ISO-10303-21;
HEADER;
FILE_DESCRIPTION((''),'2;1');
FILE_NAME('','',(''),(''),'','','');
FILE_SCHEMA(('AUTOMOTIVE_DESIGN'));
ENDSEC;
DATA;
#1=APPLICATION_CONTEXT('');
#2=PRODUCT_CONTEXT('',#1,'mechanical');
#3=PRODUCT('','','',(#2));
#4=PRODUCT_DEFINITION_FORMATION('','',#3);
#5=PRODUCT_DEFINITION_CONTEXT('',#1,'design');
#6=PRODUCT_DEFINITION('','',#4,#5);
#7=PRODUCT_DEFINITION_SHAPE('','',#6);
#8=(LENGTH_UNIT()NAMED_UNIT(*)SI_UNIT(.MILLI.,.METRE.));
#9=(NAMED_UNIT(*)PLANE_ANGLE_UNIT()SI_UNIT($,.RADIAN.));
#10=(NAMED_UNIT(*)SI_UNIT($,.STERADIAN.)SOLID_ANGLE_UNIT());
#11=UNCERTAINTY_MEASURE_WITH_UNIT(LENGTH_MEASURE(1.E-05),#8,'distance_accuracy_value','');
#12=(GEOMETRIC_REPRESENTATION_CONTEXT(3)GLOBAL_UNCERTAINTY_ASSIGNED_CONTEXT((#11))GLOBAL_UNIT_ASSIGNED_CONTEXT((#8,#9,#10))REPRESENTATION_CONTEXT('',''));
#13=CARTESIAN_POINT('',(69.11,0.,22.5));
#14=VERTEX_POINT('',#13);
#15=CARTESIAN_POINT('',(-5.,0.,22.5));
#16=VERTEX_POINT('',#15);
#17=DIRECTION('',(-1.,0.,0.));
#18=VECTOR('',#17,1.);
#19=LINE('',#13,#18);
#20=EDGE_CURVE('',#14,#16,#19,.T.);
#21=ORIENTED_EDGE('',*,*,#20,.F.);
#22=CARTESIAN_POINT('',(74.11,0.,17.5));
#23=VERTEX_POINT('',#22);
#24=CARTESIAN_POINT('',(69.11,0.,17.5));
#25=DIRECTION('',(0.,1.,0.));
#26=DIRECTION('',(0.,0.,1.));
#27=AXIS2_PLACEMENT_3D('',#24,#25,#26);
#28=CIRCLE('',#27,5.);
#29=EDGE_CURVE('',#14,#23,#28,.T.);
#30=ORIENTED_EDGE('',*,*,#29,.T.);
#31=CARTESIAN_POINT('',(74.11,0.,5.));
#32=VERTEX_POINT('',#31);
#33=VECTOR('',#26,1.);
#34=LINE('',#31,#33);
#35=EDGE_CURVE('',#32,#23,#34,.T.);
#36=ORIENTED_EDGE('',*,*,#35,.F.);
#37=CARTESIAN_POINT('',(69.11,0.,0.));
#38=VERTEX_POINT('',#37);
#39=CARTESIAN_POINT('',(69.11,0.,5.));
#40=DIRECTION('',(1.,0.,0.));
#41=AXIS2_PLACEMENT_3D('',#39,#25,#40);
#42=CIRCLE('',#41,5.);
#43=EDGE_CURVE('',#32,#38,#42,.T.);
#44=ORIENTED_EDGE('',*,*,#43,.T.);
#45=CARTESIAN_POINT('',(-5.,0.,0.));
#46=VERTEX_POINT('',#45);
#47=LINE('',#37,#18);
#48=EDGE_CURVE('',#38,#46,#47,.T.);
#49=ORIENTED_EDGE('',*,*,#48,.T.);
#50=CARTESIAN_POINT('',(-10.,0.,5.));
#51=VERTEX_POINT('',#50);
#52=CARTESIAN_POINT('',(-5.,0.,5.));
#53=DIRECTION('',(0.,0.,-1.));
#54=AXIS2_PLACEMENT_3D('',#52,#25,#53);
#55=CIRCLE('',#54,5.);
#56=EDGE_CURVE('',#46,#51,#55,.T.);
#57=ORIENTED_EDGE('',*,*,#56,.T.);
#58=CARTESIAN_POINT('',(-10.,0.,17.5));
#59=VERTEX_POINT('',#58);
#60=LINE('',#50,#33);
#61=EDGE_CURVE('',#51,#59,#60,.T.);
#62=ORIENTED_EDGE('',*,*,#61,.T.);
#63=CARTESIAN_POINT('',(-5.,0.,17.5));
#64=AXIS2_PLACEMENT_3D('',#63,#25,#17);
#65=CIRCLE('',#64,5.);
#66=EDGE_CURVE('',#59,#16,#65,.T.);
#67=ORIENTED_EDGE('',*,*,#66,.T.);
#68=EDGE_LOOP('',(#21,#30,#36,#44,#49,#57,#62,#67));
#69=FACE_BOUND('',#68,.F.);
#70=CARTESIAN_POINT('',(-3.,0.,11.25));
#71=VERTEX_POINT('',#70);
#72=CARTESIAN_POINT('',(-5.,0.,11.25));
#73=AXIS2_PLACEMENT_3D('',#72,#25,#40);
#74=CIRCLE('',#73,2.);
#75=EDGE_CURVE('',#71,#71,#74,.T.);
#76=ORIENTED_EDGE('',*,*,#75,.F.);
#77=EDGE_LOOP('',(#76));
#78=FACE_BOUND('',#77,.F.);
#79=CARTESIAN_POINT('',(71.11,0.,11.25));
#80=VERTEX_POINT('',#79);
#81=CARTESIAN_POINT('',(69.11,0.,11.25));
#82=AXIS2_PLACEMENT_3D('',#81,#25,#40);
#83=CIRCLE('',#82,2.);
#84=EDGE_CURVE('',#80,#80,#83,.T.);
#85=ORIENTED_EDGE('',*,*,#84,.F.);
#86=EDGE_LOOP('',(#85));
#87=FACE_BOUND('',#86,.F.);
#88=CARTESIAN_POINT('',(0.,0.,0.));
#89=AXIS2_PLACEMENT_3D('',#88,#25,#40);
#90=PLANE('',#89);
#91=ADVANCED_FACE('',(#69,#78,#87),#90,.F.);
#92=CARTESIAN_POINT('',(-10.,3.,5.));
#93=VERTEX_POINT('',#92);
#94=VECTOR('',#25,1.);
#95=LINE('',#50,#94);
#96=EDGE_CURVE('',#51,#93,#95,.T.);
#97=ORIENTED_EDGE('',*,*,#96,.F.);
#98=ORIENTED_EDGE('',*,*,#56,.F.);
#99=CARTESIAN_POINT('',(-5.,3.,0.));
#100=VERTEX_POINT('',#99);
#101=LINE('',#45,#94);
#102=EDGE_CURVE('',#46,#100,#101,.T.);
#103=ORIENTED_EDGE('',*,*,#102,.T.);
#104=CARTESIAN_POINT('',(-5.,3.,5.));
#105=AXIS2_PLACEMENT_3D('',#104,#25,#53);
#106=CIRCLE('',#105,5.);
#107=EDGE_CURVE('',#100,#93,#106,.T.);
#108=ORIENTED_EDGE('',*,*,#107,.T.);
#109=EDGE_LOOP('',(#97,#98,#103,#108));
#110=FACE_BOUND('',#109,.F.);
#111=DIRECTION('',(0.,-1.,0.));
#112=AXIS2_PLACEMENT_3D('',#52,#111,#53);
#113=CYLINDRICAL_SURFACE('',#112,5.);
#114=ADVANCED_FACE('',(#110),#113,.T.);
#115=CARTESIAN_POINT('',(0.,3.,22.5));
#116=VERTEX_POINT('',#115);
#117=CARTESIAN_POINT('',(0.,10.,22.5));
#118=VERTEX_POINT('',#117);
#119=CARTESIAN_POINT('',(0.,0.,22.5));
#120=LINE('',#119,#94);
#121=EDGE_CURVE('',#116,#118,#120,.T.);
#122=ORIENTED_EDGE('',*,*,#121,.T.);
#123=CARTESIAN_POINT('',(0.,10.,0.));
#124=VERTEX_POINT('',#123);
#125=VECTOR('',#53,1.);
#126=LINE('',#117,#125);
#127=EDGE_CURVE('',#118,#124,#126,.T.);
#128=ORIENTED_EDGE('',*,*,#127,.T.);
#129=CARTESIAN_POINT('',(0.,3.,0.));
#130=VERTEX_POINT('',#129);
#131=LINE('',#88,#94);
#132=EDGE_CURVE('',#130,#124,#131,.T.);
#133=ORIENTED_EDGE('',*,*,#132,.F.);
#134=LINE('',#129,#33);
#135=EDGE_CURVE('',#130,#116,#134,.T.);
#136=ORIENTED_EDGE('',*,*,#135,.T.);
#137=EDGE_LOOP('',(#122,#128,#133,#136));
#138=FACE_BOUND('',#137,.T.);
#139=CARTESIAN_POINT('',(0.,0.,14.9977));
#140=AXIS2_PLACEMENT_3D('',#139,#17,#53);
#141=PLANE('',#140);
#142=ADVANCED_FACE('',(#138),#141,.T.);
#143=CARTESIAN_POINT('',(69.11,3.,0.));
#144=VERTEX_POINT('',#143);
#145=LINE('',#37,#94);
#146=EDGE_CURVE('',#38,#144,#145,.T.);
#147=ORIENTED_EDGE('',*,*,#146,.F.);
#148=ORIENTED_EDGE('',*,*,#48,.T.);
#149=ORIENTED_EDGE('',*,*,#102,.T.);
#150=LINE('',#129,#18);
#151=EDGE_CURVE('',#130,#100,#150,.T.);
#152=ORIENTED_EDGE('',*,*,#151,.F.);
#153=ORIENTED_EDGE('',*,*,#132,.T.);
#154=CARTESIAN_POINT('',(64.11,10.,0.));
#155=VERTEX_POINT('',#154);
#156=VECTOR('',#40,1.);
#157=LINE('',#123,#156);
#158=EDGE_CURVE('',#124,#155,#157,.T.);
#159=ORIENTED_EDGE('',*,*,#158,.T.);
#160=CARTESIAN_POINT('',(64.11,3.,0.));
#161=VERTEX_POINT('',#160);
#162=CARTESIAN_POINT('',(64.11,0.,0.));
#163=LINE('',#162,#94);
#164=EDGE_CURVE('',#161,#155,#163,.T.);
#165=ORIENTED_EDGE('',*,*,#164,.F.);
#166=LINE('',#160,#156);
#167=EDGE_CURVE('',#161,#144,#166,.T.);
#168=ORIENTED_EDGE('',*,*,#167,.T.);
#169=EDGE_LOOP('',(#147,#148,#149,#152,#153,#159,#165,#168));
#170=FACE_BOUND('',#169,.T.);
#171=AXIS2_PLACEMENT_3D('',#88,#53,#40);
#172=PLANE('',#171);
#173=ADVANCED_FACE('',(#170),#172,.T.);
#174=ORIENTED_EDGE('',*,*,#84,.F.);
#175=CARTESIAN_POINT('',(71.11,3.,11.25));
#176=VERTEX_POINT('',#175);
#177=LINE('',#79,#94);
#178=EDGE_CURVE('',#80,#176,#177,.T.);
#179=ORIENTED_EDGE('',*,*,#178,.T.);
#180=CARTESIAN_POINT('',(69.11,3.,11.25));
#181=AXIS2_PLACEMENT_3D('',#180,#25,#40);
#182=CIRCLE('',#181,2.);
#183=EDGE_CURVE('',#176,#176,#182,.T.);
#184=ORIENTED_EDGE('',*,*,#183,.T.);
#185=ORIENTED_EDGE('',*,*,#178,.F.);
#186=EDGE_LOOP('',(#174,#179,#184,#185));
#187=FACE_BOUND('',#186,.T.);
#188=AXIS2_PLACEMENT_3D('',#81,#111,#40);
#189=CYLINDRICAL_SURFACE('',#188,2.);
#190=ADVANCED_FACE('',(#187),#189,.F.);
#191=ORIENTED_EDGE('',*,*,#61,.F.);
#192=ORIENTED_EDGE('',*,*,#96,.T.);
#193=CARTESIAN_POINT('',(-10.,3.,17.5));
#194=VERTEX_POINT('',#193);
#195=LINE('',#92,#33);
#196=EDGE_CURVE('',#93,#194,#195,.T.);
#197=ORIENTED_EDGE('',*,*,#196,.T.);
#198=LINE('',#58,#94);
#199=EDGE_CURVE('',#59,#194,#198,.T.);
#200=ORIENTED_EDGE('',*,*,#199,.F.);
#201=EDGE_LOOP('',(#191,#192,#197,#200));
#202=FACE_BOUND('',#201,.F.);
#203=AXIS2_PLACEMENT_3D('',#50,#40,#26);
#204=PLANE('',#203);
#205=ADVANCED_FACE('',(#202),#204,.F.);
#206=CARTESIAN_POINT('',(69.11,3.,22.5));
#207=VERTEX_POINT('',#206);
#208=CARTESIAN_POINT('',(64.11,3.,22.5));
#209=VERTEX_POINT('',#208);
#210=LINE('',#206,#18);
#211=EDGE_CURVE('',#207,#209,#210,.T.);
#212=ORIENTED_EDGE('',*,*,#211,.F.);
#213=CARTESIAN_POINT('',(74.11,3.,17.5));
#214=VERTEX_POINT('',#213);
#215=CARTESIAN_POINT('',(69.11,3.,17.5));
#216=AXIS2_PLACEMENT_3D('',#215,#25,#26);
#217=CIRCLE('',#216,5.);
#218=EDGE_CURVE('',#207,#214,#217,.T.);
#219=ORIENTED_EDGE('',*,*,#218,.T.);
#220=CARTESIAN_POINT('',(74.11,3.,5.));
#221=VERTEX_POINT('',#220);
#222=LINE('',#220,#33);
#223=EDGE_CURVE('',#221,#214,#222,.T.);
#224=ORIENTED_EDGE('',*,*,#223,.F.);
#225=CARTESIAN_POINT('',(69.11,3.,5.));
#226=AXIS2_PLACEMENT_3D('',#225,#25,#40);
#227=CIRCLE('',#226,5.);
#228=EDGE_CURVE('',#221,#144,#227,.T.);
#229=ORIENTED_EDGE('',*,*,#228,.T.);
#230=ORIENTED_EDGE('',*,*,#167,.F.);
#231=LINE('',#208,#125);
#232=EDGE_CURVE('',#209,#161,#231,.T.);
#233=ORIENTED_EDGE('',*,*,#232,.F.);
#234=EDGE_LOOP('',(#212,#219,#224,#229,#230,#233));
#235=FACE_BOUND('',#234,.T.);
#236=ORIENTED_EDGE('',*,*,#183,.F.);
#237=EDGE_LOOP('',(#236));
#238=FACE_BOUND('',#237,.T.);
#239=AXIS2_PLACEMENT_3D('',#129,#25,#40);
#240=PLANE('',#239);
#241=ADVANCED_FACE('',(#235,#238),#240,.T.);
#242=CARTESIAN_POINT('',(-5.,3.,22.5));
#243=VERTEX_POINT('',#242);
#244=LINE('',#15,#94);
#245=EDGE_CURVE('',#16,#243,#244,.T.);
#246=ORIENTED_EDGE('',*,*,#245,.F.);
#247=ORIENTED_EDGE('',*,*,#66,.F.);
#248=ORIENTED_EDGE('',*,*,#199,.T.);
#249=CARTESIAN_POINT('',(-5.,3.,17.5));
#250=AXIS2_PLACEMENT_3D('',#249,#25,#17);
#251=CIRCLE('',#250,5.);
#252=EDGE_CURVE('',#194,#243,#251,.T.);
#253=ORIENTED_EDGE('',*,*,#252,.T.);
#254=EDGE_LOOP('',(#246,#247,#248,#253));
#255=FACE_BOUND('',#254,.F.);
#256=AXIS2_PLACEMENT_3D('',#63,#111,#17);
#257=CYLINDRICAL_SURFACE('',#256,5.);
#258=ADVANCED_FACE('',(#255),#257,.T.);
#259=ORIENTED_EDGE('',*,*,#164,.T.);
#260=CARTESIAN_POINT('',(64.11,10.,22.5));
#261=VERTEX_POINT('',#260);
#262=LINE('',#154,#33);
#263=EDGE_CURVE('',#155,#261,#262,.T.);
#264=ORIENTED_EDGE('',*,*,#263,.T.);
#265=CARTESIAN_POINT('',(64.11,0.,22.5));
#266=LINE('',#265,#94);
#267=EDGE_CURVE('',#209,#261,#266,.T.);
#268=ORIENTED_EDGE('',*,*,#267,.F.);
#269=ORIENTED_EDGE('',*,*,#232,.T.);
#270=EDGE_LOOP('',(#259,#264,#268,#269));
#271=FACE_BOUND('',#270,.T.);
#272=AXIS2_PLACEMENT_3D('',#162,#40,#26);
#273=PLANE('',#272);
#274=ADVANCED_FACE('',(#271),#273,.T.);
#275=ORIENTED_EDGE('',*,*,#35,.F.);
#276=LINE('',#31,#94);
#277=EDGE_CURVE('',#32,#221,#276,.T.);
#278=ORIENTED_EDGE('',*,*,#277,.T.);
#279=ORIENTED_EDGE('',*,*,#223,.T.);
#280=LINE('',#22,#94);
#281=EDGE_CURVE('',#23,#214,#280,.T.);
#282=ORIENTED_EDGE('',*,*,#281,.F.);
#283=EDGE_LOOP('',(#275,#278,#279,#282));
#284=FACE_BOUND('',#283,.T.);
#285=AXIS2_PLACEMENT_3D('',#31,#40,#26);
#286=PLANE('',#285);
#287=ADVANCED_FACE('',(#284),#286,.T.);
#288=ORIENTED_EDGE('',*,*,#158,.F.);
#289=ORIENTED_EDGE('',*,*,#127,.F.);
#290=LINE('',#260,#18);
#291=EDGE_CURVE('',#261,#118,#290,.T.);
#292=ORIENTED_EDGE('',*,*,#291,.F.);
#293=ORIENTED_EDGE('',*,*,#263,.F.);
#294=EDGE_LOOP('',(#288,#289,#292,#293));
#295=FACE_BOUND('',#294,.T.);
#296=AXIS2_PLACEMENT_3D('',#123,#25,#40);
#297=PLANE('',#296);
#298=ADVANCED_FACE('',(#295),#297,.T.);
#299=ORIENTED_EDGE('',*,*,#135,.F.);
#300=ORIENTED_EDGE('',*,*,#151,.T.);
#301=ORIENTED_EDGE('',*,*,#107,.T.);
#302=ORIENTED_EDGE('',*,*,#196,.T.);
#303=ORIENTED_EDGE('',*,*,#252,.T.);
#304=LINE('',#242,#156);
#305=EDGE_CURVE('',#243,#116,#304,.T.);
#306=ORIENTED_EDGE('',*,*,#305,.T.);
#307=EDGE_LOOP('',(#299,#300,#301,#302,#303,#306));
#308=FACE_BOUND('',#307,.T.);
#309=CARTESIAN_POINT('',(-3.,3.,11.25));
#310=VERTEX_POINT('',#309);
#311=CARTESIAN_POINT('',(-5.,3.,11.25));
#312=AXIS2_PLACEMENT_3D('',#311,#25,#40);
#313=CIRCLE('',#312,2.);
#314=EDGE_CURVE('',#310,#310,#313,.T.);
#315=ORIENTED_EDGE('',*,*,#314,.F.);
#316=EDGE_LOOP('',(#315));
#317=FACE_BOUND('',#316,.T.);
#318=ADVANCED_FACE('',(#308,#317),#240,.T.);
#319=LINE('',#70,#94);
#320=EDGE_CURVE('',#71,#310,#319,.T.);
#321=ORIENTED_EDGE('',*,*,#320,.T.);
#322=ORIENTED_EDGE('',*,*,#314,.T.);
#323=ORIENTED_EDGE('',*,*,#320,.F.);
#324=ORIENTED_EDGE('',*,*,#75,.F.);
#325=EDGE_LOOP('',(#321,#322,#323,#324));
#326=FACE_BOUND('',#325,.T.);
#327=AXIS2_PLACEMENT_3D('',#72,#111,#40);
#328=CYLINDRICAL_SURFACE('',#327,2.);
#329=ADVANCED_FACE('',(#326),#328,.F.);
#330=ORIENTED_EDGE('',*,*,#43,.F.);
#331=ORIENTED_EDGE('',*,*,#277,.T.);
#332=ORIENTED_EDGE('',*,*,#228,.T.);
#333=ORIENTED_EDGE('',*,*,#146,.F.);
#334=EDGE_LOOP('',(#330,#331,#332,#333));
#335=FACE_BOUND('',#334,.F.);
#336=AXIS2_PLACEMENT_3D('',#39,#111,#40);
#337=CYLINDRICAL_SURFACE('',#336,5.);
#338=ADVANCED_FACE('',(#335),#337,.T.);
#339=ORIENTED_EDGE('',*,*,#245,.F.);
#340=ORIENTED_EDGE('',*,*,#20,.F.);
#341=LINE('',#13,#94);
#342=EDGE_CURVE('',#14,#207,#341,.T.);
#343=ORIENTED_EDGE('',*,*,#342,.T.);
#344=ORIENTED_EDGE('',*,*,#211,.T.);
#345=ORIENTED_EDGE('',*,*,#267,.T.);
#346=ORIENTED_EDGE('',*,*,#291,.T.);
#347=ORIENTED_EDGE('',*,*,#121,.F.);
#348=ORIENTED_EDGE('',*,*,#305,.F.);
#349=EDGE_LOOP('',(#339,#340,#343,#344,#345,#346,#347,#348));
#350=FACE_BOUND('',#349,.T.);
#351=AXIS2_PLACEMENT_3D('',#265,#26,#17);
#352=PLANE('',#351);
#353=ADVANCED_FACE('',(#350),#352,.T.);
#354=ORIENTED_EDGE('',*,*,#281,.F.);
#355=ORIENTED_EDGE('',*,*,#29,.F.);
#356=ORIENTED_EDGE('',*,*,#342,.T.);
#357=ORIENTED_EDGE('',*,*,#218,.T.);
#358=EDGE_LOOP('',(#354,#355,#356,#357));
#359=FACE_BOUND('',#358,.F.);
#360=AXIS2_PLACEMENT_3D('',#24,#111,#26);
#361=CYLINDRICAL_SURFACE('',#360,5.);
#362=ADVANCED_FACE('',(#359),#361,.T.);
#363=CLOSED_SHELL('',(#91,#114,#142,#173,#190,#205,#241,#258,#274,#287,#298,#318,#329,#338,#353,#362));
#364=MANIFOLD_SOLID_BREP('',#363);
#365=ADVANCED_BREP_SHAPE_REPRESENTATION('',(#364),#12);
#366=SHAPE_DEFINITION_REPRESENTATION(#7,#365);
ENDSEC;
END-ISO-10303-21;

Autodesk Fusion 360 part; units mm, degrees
sketch "Sketch1" plane through (0, 0, 0) normal (0, 1, 0) x (1, 0, 0)
  line L0 (0, 0) -> (64.11, 0)
  line L1 (64.11, 0) -> (64.11, -22.5)
  line L2 (64.11, -22.5) -> (0, -22.5)
  line L3 (0, -22.5) -> (0, 0)
  line L4 (0, -11.25) -> (-5, -11.25) construction
  circle A0 centre (-5, -11.25) radius 2
  line L5 (0, -14.9977) -> (0, 0)
  line L6 (64.11, -11.25) -> (69.11, -11.25) construction
  circle A1 centre (69.11, -11.25) radius 2
  line L7 (64.11, -15) -> (64.11, 0)
  line L8 (64.11, 0) -> (69.11, 0)
  line L9 (74.11, -5) -> (74.11, -17.5)
  line L10 (69.11, -22.5) -> (64.11, -22.5)
  line L11 (64.11, -22.5) -> (64.11, 0)
  arc A2 (74.11, -5) -> (69.11, 0) centre (69.11, -5) ccw
  arc A3 (69.11, -22.5) -> (74.11, -17.5) centre (69.11, -17.5) ccw
  line L12 (0, 0) -> (-5, 0)
  line L13 (-10, -5) -> (-10, -17.5)
  line L14 (-5, -22.5) -> (0, -22.5)
  line L15 (0, -22.5) -> (0, 0)
  arc A4 (-5, 0) -> (-10, -5) centre (-5, -5) ccw
  arc A5 (-10, -17.5) -> (-5, -22.5) centre (-5, -17.5) ccw
  point P0 (74.11, 0)
  point P1 (-10, 0)
  dimension "d1" = 64.11
  dimension "d2" = 22.5
  dimension "d3" = 5
  dimension "d4" = 4
  dimension "d7" = 5
  dimension "d8" = 4
  dimension "d15" = 10
  dimension "d16" = 5
  dimension "d17" = 10
  dimension "d18" = 5
extrude "Extrude1" add sketch "Sketch1" along normal blind 10 contours L0 L1 L2 L3 L5 L7 L11 L15
extrude "Extrude2" add sketch "Sketch1" along normal blind 3 contours L3 L5 L12 L13 L14 L15 A4 A5 | L1 L7 L8 L9 L10 L11 A2 A3
